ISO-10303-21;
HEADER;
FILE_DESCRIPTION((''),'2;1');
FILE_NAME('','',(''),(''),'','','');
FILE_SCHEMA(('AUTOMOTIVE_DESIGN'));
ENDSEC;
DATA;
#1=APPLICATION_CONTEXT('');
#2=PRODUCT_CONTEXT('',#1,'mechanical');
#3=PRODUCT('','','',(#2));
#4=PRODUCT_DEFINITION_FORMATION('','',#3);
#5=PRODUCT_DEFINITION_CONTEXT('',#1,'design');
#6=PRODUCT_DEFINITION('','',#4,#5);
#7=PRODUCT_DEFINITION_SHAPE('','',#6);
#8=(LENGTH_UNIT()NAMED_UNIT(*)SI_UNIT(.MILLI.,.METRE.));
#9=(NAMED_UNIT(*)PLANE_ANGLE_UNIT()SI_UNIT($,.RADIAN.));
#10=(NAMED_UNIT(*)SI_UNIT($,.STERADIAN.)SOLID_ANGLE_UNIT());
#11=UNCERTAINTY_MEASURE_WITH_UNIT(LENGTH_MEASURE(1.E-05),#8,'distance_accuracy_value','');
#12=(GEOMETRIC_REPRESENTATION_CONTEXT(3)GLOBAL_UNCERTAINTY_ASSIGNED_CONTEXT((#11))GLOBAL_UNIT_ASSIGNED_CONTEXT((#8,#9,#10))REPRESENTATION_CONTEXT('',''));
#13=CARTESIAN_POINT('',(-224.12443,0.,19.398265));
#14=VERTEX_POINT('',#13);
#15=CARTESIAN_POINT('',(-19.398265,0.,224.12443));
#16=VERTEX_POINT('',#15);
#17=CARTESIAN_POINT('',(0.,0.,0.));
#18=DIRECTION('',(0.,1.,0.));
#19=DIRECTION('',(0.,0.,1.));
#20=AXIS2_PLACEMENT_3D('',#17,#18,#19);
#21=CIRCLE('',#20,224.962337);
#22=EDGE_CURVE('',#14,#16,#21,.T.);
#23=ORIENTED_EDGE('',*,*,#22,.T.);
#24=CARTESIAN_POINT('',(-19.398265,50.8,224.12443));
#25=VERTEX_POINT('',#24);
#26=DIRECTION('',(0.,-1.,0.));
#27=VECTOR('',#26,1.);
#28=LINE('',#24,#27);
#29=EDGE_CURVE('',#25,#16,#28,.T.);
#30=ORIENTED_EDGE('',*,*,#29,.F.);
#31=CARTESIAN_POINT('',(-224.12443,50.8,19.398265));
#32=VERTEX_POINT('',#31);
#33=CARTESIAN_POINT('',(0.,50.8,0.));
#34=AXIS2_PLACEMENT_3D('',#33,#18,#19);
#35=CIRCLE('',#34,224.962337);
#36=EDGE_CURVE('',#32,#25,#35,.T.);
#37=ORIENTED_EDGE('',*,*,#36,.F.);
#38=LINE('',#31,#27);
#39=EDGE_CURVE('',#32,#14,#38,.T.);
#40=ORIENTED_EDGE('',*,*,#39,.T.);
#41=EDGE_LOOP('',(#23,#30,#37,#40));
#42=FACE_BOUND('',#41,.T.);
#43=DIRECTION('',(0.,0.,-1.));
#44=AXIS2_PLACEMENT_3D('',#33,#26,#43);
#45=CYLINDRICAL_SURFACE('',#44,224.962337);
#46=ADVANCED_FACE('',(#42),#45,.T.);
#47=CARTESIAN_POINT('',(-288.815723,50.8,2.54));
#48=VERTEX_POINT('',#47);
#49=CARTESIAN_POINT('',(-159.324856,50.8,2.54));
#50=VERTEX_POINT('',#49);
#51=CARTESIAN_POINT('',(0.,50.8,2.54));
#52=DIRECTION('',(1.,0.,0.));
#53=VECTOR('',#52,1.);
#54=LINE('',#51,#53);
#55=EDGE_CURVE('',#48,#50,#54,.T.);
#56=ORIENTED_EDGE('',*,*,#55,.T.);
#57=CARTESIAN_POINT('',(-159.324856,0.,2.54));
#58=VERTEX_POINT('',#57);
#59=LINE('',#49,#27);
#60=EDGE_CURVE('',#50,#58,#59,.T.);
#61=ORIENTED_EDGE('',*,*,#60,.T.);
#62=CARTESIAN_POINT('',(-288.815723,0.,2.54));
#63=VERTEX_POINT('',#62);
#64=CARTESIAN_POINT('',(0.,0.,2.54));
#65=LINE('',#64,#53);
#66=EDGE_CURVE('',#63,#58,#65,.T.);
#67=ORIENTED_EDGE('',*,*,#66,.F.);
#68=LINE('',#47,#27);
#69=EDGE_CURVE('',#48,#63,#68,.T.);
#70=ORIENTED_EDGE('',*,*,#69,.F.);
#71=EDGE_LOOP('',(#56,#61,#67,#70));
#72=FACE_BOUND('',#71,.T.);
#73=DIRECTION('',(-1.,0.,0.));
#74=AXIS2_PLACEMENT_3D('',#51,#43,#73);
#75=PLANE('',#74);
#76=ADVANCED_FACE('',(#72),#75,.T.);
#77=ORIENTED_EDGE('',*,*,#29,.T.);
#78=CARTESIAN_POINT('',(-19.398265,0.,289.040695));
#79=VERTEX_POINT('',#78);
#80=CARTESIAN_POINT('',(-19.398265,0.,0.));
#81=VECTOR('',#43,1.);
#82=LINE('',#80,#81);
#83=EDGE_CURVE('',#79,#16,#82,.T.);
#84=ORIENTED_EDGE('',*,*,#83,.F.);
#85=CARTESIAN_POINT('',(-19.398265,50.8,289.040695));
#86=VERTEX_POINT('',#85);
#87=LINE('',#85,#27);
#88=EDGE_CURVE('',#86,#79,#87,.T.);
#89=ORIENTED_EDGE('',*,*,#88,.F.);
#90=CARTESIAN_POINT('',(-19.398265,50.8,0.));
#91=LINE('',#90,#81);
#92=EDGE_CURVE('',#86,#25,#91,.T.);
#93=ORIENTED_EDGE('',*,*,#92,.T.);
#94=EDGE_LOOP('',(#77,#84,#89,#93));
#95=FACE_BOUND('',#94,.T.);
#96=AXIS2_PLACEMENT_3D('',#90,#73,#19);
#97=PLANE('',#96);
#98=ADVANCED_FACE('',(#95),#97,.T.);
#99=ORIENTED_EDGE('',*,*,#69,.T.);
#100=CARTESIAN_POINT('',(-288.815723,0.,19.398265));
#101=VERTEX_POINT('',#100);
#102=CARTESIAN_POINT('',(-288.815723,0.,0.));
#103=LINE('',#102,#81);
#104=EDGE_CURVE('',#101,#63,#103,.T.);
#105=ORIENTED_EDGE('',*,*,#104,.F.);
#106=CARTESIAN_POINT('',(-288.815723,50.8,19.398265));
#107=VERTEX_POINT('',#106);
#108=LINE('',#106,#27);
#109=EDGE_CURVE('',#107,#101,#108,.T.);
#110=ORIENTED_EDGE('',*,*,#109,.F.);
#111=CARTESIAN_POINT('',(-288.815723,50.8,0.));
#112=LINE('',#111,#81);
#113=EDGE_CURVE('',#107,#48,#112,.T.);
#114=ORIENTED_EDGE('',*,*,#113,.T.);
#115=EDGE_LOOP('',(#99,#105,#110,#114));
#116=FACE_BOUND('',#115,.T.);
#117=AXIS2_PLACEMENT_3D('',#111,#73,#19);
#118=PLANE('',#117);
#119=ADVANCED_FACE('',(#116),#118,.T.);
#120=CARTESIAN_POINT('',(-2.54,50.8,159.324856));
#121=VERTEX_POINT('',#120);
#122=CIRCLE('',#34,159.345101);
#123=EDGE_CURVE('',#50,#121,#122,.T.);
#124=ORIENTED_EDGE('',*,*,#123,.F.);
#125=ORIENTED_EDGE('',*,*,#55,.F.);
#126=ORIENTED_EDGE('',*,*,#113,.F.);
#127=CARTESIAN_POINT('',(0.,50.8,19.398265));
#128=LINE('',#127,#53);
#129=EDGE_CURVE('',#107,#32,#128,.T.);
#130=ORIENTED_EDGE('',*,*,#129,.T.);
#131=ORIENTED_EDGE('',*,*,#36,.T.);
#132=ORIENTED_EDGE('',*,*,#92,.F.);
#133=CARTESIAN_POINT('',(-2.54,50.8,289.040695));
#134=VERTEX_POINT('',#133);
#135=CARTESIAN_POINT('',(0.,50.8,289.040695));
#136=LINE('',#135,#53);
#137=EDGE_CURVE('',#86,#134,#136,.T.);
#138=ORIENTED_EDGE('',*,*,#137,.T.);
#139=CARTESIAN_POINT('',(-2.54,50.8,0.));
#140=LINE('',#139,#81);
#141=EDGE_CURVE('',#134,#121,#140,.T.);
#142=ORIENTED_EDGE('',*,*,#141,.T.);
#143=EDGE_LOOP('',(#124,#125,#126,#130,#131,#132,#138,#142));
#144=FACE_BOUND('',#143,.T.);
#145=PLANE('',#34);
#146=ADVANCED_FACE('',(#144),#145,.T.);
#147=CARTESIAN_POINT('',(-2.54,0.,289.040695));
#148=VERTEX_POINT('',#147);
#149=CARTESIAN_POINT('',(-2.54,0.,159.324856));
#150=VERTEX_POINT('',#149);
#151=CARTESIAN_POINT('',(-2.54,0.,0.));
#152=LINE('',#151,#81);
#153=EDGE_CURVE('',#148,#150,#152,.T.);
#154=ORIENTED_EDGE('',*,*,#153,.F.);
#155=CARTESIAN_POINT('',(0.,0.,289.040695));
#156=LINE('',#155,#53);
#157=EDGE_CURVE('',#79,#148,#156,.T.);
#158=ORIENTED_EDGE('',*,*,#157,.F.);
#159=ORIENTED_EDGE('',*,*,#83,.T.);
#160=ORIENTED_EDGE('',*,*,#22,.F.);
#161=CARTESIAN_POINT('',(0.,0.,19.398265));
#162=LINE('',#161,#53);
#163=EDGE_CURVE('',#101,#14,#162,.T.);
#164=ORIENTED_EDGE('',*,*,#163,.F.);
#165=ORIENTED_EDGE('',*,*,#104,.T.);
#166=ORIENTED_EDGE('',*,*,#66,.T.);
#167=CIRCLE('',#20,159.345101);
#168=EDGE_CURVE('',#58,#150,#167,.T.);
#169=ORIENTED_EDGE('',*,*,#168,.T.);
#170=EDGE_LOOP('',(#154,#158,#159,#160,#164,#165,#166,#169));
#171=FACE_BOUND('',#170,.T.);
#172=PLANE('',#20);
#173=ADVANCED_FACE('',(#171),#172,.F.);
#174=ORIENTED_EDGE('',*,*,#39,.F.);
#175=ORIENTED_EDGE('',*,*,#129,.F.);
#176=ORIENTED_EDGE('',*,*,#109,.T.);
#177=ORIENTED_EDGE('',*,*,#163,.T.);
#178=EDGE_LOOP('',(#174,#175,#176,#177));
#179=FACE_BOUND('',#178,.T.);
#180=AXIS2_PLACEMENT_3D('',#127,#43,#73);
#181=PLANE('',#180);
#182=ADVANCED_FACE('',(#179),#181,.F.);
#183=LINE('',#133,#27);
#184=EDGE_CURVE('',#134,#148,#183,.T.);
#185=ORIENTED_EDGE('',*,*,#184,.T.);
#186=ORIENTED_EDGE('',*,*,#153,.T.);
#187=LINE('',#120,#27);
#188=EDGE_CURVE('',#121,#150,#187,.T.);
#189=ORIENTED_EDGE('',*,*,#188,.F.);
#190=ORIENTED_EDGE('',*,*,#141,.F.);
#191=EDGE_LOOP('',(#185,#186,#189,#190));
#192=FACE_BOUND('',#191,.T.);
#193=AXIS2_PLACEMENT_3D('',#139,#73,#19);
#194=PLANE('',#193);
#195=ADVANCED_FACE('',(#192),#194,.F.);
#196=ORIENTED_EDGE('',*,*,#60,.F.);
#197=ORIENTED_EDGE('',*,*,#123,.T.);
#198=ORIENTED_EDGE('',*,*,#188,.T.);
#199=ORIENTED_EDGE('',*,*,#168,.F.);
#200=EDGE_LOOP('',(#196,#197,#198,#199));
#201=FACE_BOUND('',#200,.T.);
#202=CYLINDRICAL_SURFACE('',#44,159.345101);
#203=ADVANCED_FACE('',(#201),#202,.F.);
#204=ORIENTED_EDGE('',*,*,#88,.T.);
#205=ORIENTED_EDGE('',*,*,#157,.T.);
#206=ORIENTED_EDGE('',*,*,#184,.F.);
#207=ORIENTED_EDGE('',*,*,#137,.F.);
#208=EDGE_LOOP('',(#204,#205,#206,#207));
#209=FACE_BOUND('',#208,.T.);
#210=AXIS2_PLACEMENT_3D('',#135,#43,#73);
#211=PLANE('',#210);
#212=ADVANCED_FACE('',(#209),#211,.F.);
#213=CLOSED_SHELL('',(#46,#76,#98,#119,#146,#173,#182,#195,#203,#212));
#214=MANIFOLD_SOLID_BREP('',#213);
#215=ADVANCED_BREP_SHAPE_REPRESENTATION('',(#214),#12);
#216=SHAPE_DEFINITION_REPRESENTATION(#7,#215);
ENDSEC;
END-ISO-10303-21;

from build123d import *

# Parameters (mm, degrees)
BOSS_EXTRUDE1_DEPTH = 50.8


with BuildPart() as part:
    # Sketch2 → Boss-Extrude1 (new body)
    with BuildSketch(Plane(origin=(0, 0, 0), x_dir=(1, 0, 0), z_dir=(0, 1, 0))):
        with BuildLine():
            Line((-288.815722864, -19.398264696), (-224.124430379, -19.398264696))
            ThreePointArc((-224.124430379, -19.398264696), (-159.072393843, -159.072393843), (-19.398264696, -224.124430379))
            Line((-19.398264696, -224.124430379), (-19.398264696, -289.040694823))
            Line((-19.398264696, -289.040694823), (-2.54, -289.040694823))
            Line((-2.54, -289.040694823), (-2.54, -159.324855717))
            ThreePointArc((-2.54, -159.324855717), (-112.674001547, -112.674001547), (-159.324855717, -2.54))
            Line((-159.324855717, -2.54), (-288.815722864, -2.54))
            Line((-288.815722864, -2.54), (-288.815722864, -19.398264696))
        make_face()
    extrude(amount=BOSS_EXTRUDE1_DEPTH)


solid = part.part
